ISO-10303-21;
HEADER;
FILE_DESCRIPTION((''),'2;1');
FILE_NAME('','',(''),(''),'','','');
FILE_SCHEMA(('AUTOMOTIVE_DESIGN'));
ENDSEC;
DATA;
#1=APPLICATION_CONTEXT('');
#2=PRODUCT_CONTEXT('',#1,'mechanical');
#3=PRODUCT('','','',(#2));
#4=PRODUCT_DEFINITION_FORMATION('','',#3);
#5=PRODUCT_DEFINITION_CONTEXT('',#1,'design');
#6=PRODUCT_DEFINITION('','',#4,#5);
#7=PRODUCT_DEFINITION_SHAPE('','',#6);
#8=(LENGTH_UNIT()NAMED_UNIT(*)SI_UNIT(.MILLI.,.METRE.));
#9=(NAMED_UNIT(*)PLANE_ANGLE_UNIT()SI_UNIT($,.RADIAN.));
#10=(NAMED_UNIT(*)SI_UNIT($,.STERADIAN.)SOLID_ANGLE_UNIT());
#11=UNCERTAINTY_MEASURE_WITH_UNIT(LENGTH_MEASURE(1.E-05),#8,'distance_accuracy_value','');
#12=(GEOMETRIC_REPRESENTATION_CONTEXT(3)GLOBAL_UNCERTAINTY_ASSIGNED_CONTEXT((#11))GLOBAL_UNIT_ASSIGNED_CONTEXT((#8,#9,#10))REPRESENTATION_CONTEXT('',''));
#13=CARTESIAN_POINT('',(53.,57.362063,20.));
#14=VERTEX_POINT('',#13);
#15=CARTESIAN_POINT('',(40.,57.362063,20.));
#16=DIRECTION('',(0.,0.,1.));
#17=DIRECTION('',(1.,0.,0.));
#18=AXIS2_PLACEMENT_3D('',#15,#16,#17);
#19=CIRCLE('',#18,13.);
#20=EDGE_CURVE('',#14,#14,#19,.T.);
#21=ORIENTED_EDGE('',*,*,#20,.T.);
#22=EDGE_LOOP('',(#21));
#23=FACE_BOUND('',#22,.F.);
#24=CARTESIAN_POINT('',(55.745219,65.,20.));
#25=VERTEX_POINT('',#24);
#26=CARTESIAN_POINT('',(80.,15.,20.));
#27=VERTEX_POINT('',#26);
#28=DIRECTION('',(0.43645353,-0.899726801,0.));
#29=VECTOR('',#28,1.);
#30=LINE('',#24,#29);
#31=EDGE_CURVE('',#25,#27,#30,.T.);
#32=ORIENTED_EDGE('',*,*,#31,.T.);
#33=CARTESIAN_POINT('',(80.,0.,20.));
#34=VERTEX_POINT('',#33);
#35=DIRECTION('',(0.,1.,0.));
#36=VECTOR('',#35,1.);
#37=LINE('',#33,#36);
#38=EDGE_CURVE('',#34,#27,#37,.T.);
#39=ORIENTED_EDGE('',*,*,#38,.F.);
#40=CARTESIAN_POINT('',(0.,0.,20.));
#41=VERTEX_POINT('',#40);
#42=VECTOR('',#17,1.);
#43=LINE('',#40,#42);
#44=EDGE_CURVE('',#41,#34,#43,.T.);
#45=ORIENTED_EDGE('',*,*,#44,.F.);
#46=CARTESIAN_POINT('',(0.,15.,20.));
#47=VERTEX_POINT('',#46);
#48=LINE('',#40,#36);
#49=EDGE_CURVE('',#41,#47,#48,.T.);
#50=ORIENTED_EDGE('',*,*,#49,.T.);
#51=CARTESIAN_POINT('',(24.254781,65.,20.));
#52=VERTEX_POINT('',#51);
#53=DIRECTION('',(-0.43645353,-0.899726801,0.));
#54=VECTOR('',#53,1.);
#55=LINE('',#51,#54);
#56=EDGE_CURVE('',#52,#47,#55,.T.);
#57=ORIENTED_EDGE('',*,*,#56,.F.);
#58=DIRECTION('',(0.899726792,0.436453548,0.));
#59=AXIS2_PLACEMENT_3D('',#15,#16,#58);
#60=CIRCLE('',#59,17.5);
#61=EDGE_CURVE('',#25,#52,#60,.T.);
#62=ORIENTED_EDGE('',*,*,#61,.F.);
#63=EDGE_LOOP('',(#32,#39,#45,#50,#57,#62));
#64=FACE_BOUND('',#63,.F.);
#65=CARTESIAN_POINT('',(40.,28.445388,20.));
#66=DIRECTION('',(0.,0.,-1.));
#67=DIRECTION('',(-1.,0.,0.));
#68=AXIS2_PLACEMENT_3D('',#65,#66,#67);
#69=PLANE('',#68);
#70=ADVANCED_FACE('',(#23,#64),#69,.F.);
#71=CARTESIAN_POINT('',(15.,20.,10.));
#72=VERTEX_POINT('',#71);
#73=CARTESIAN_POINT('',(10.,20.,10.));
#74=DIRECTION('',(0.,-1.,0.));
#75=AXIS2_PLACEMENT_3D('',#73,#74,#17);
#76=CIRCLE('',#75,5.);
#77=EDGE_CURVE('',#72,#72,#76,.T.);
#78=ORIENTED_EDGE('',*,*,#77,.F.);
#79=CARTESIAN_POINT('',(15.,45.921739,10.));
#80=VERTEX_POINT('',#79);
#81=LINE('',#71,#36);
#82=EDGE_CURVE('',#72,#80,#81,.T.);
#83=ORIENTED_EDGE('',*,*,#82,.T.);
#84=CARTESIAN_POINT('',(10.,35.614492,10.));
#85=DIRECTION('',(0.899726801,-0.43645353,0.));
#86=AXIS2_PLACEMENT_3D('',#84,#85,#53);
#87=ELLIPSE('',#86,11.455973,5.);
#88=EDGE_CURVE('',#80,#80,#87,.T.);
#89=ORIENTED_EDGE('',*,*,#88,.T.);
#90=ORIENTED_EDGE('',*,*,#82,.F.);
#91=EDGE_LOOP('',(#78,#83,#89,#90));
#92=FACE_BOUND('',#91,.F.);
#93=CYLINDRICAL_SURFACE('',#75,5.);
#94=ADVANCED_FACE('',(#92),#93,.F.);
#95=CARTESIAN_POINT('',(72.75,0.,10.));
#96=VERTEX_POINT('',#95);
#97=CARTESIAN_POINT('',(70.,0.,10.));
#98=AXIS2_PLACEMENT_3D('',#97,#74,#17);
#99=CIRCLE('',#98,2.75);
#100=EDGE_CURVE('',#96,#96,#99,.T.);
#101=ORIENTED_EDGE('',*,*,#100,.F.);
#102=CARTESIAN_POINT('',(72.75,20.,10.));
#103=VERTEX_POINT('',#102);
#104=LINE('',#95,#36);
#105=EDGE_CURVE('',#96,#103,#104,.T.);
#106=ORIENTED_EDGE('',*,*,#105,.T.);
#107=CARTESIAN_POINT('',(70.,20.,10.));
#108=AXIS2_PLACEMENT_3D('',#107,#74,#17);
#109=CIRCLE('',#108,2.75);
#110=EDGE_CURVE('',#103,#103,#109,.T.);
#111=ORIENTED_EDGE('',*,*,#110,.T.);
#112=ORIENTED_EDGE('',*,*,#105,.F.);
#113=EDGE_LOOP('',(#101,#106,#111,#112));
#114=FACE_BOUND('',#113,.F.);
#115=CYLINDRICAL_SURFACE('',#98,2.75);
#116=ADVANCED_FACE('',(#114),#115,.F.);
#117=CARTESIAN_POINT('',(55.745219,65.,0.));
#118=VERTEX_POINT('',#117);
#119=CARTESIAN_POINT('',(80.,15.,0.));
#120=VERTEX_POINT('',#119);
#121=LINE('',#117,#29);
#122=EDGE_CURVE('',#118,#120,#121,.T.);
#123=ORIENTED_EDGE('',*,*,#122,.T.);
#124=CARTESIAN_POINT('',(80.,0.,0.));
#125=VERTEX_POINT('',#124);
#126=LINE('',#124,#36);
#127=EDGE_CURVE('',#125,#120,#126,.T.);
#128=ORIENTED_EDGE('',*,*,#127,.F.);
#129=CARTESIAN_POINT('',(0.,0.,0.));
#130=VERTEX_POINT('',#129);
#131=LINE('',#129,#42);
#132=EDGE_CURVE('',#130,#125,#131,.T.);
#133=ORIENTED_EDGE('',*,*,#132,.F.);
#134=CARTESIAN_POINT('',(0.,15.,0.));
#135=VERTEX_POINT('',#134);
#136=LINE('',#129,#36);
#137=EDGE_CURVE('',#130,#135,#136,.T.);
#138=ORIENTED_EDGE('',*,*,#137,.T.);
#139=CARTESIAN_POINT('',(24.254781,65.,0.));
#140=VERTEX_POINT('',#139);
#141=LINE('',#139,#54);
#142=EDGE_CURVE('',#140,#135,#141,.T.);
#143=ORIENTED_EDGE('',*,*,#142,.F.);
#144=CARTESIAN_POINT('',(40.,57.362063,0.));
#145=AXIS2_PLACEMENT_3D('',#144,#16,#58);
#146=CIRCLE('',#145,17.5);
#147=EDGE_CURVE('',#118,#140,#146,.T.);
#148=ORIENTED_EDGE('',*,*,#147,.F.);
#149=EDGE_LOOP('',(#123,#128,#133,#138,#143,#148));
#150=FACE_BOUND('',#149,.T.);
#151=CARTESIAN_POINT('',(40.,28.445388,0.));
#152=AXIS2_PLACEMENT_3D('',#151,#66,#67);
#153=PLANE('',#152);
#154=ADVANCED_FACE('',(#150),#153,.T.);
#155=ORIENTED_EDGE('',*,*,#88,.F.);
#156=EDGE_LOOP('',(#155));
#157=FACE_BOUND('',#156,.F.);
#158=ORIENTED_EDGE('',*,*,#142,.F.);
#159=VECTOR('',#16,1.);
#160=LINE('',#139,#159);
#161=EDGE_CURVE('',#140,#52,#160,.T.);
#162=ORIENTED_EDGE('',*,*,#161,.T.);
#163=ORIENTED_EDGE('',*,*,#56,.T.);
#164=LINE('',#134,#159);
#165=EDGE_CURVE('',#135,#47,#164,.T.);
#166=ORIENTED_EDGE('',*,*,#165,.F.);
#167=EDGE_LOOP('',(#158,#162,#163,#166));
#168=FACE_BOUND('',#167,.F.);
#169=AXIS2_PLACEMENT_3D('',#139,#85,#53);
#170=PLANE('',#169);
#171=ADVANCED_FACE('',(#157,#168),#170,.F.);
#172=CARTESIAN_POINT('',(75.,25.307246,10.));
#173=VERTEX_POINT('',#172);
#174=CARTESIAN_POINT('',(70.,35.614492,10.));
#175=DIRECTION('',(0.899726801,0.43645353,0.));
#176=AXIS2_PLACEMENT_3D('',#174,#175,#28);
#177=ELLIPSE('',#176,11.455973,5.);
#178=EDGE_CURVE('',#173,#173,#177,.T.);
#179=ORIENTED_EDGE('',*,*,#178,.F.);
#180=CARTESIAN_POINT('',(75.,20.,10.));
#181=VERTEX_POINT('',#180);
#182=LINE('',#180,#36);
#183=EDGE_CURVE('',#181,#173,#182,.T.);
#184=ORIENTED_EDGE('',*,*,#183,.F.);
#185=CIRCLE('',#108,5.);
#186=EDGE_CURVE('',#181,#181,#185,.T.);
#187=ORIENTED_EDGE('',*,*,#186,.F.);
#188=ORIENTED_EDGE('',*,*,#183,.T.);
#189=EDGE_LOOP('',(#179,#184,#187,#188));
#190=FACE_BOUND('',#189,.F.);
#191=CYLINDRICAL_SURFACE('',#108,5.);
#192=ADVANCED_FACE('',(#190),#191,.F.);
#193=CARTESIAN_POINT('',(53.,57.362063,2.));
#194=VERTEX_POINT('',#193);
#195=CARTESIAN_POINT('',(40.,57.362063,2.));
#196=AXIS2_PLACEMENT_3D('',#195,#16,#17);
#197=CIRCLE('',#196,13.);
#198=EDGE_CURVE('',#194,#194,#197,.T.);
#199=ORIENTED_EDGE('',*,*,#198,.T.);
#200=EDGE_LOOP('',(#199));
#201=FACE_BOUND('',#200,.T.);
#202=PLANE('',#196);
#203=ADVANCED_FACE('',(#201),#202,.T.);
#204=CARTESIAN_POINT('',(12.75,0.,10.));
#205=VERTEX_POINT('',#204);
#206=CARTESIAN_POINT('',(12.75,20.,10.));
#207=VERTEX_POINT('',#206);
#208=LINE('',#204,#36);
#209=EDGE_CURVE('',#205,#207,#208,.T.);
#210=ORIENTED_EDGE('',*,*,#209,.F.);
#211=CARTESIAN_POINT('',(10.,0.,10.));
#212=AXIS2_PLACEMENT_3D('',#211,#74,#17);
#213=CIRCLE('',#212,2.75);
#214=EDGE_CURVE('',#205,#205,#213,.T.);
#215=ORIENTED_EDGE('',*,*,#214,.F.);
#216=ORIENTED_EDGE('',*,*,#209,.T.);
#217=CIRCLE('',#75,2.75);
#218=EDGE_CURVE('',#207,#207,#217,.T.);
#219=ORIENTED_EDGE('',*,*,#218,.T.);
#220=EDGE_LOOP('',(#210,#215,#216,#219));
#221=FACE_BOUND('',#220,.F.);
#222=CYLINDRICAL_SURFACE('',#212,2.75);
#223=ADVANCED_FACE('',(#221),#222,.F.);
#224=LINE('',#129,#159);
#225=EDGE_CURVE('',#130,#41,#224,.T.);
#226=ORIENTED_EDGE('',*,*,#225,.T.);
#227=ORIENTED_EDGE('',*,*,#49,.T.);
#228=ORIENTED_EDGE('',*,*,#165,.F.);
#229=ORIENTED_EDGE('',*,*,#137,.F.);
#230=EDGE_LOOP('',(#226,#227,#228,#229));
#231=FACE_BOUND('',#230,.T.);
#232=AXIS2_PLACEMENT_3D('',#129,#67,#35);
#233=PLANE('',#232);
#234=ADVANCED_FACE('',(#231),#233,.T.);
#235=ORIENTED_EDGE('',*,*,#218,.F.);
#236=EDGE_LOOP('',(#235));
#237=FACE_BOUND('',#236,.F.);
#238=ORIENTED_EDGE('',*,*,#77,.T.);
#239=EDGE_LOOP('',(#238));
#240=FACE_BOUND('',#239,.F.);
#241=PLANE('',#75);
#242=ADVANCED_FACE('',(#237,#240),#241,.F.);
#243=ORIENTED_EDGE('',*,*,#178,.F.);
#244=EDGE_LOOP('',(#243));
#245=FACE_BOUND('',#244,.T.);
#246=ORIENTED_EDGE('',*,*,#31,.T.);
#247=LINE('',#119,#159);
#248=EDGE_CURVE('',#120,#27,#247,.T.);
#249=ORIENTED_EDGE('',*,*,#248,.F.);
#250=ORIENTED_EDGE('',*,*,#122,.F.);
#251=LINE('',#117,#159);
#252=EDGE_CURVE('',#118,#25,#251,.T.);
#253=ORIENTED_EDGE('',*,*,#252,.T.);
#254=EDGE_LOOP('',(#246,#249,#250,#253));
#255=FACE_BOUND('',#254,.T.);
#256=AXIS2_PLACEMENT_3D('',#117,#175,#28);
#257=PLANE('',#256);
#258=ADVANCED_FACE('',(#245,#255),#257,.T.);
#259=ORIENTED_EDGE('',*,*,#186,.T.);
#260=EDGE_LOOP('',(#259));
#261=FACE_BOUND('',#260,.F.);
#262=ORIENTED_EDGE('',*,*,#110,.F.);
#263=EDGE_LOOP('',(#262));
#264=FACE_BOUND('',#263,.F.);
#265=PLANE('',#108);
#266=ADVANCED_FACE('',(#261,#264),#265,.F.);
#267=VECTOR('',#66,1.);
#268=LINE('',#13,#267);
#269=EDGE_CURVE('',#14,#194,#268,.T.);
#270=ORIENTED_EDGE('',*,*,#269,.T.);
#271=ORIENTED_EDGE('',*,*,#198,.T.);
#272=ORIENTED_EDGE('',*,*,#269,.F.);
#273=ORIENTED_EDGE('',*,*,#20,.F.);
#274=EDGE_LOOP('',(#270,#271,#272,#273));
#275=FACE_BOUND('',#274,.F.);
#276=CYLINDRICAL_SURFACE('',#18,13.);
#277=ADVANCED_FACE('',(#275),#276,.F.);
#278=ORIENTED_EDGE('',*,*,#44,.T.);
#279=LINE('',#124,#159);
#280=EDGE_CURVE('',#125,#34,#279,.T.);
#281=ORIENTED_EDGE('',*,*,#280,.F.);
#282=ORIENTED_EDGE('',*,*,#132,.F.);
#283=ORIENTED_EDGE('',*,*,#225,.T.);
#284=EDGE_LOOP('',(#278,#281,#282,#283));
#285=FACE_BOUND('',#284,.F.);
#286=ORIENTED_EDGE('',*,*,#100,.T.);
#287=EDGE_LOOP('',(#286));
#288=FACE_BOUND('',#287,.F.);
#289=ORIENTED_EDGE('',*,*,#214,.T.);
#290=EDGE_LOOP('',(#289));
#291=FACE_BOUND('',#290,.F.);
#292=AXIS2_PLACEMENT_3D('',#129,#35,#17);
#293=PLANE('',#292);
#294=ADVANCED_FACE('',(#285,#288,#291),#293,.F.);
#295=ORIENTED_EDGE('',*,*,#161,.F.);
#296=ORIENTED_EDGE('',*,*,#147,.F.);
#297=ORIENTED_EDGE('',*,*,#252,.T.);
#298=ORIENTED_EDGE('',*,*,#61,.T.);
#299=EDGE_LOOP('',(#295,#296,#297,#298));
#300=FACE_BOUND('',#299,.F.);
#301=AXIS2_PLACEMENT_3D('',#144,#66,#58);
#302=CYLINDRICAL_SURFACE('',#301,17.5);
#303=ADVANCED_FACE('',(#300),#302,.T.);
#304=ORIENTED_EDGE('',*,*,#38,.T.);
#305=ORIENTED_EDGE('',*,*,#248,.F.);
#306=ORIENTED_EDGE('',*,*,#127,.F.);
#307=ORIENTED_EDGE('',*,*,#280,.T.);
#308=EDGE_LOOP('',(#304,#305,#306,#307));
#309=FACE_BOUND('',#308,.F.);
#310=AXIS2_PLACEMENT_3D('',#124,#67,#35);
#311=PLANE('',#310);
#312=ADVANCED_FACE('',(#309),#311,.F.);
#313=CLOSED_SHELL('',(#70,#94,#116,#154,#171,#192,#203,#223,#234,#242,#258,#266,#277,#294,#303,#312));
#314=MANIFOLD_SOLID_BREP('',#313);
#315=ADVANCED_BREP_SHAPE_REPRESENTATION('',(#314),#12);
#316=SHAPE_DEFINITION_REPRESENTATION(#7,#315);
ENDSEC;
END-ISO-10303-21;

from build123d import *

# Parameters (mm, degrees)
PAD_DEPTH       = 20
SKETCH001_R     = 13
POCKET_DEPTH    = 18
SKETCH002_R     = 2.75
POCKET001_DEPTH = 74.863063
POCKET002_START = -20
SKETCH003_R     = 5
POCKET002_DEPTH = 50


with BuildPart() as part:
    # Sketch → Pad (new body)
    with BuildSketch(Plane.XY):
        with BuildLine():
            Line((0, 0), (0, 15))
            Line((24.254781, 65), (0, 15))
            ThreePointArc((55.745219, 65), (40, 74.862063), (24.254781, 65))
            Line((55.745219, 65), (80, 15))
            Line((80, 0), (80, 15))
            Line((0, 0), (80, 0))
        make_face()
    extrude(amount=PAD_DEPTH)

    # Sketch001 (on Face8 of Pad) → Pocket (cut)
    with BuildSketch(Plane.XY.offset(20)):
        with Locations((40, 57.362063)):
            Circle(SKETCH001_R)
    extrude(amount=-POCKET_DEPTH, mode=Mode.SUBTRACT)

    # Sketch002 (on Face7 of Pocket) → Pocket001 (cut, through all)
    with BuildSketch(Plane.XZ):
        with Locations((10, 10)):
            Circle(SKETCH002_R)
        with Locations((70, 10)):
            Circle(SKETCH002_R)
    extrude(amount=-POCKET001_DEPTH, mode=Mode.SUBTRACT)

    # Sketch003 → Pocket002 (cut)
    with BuildSketch(Plane.XZ.offset(POCKET002_START)):
        with Locations((70, 10)):
            Circle(SKETCH003_R)
        with Locations((10, 10)):
            Circle(SKETCH003_R)
    extrude(amount=-POCKET002_DEPTH, mode=Mode.SUBTRACT)


solid = part.part
